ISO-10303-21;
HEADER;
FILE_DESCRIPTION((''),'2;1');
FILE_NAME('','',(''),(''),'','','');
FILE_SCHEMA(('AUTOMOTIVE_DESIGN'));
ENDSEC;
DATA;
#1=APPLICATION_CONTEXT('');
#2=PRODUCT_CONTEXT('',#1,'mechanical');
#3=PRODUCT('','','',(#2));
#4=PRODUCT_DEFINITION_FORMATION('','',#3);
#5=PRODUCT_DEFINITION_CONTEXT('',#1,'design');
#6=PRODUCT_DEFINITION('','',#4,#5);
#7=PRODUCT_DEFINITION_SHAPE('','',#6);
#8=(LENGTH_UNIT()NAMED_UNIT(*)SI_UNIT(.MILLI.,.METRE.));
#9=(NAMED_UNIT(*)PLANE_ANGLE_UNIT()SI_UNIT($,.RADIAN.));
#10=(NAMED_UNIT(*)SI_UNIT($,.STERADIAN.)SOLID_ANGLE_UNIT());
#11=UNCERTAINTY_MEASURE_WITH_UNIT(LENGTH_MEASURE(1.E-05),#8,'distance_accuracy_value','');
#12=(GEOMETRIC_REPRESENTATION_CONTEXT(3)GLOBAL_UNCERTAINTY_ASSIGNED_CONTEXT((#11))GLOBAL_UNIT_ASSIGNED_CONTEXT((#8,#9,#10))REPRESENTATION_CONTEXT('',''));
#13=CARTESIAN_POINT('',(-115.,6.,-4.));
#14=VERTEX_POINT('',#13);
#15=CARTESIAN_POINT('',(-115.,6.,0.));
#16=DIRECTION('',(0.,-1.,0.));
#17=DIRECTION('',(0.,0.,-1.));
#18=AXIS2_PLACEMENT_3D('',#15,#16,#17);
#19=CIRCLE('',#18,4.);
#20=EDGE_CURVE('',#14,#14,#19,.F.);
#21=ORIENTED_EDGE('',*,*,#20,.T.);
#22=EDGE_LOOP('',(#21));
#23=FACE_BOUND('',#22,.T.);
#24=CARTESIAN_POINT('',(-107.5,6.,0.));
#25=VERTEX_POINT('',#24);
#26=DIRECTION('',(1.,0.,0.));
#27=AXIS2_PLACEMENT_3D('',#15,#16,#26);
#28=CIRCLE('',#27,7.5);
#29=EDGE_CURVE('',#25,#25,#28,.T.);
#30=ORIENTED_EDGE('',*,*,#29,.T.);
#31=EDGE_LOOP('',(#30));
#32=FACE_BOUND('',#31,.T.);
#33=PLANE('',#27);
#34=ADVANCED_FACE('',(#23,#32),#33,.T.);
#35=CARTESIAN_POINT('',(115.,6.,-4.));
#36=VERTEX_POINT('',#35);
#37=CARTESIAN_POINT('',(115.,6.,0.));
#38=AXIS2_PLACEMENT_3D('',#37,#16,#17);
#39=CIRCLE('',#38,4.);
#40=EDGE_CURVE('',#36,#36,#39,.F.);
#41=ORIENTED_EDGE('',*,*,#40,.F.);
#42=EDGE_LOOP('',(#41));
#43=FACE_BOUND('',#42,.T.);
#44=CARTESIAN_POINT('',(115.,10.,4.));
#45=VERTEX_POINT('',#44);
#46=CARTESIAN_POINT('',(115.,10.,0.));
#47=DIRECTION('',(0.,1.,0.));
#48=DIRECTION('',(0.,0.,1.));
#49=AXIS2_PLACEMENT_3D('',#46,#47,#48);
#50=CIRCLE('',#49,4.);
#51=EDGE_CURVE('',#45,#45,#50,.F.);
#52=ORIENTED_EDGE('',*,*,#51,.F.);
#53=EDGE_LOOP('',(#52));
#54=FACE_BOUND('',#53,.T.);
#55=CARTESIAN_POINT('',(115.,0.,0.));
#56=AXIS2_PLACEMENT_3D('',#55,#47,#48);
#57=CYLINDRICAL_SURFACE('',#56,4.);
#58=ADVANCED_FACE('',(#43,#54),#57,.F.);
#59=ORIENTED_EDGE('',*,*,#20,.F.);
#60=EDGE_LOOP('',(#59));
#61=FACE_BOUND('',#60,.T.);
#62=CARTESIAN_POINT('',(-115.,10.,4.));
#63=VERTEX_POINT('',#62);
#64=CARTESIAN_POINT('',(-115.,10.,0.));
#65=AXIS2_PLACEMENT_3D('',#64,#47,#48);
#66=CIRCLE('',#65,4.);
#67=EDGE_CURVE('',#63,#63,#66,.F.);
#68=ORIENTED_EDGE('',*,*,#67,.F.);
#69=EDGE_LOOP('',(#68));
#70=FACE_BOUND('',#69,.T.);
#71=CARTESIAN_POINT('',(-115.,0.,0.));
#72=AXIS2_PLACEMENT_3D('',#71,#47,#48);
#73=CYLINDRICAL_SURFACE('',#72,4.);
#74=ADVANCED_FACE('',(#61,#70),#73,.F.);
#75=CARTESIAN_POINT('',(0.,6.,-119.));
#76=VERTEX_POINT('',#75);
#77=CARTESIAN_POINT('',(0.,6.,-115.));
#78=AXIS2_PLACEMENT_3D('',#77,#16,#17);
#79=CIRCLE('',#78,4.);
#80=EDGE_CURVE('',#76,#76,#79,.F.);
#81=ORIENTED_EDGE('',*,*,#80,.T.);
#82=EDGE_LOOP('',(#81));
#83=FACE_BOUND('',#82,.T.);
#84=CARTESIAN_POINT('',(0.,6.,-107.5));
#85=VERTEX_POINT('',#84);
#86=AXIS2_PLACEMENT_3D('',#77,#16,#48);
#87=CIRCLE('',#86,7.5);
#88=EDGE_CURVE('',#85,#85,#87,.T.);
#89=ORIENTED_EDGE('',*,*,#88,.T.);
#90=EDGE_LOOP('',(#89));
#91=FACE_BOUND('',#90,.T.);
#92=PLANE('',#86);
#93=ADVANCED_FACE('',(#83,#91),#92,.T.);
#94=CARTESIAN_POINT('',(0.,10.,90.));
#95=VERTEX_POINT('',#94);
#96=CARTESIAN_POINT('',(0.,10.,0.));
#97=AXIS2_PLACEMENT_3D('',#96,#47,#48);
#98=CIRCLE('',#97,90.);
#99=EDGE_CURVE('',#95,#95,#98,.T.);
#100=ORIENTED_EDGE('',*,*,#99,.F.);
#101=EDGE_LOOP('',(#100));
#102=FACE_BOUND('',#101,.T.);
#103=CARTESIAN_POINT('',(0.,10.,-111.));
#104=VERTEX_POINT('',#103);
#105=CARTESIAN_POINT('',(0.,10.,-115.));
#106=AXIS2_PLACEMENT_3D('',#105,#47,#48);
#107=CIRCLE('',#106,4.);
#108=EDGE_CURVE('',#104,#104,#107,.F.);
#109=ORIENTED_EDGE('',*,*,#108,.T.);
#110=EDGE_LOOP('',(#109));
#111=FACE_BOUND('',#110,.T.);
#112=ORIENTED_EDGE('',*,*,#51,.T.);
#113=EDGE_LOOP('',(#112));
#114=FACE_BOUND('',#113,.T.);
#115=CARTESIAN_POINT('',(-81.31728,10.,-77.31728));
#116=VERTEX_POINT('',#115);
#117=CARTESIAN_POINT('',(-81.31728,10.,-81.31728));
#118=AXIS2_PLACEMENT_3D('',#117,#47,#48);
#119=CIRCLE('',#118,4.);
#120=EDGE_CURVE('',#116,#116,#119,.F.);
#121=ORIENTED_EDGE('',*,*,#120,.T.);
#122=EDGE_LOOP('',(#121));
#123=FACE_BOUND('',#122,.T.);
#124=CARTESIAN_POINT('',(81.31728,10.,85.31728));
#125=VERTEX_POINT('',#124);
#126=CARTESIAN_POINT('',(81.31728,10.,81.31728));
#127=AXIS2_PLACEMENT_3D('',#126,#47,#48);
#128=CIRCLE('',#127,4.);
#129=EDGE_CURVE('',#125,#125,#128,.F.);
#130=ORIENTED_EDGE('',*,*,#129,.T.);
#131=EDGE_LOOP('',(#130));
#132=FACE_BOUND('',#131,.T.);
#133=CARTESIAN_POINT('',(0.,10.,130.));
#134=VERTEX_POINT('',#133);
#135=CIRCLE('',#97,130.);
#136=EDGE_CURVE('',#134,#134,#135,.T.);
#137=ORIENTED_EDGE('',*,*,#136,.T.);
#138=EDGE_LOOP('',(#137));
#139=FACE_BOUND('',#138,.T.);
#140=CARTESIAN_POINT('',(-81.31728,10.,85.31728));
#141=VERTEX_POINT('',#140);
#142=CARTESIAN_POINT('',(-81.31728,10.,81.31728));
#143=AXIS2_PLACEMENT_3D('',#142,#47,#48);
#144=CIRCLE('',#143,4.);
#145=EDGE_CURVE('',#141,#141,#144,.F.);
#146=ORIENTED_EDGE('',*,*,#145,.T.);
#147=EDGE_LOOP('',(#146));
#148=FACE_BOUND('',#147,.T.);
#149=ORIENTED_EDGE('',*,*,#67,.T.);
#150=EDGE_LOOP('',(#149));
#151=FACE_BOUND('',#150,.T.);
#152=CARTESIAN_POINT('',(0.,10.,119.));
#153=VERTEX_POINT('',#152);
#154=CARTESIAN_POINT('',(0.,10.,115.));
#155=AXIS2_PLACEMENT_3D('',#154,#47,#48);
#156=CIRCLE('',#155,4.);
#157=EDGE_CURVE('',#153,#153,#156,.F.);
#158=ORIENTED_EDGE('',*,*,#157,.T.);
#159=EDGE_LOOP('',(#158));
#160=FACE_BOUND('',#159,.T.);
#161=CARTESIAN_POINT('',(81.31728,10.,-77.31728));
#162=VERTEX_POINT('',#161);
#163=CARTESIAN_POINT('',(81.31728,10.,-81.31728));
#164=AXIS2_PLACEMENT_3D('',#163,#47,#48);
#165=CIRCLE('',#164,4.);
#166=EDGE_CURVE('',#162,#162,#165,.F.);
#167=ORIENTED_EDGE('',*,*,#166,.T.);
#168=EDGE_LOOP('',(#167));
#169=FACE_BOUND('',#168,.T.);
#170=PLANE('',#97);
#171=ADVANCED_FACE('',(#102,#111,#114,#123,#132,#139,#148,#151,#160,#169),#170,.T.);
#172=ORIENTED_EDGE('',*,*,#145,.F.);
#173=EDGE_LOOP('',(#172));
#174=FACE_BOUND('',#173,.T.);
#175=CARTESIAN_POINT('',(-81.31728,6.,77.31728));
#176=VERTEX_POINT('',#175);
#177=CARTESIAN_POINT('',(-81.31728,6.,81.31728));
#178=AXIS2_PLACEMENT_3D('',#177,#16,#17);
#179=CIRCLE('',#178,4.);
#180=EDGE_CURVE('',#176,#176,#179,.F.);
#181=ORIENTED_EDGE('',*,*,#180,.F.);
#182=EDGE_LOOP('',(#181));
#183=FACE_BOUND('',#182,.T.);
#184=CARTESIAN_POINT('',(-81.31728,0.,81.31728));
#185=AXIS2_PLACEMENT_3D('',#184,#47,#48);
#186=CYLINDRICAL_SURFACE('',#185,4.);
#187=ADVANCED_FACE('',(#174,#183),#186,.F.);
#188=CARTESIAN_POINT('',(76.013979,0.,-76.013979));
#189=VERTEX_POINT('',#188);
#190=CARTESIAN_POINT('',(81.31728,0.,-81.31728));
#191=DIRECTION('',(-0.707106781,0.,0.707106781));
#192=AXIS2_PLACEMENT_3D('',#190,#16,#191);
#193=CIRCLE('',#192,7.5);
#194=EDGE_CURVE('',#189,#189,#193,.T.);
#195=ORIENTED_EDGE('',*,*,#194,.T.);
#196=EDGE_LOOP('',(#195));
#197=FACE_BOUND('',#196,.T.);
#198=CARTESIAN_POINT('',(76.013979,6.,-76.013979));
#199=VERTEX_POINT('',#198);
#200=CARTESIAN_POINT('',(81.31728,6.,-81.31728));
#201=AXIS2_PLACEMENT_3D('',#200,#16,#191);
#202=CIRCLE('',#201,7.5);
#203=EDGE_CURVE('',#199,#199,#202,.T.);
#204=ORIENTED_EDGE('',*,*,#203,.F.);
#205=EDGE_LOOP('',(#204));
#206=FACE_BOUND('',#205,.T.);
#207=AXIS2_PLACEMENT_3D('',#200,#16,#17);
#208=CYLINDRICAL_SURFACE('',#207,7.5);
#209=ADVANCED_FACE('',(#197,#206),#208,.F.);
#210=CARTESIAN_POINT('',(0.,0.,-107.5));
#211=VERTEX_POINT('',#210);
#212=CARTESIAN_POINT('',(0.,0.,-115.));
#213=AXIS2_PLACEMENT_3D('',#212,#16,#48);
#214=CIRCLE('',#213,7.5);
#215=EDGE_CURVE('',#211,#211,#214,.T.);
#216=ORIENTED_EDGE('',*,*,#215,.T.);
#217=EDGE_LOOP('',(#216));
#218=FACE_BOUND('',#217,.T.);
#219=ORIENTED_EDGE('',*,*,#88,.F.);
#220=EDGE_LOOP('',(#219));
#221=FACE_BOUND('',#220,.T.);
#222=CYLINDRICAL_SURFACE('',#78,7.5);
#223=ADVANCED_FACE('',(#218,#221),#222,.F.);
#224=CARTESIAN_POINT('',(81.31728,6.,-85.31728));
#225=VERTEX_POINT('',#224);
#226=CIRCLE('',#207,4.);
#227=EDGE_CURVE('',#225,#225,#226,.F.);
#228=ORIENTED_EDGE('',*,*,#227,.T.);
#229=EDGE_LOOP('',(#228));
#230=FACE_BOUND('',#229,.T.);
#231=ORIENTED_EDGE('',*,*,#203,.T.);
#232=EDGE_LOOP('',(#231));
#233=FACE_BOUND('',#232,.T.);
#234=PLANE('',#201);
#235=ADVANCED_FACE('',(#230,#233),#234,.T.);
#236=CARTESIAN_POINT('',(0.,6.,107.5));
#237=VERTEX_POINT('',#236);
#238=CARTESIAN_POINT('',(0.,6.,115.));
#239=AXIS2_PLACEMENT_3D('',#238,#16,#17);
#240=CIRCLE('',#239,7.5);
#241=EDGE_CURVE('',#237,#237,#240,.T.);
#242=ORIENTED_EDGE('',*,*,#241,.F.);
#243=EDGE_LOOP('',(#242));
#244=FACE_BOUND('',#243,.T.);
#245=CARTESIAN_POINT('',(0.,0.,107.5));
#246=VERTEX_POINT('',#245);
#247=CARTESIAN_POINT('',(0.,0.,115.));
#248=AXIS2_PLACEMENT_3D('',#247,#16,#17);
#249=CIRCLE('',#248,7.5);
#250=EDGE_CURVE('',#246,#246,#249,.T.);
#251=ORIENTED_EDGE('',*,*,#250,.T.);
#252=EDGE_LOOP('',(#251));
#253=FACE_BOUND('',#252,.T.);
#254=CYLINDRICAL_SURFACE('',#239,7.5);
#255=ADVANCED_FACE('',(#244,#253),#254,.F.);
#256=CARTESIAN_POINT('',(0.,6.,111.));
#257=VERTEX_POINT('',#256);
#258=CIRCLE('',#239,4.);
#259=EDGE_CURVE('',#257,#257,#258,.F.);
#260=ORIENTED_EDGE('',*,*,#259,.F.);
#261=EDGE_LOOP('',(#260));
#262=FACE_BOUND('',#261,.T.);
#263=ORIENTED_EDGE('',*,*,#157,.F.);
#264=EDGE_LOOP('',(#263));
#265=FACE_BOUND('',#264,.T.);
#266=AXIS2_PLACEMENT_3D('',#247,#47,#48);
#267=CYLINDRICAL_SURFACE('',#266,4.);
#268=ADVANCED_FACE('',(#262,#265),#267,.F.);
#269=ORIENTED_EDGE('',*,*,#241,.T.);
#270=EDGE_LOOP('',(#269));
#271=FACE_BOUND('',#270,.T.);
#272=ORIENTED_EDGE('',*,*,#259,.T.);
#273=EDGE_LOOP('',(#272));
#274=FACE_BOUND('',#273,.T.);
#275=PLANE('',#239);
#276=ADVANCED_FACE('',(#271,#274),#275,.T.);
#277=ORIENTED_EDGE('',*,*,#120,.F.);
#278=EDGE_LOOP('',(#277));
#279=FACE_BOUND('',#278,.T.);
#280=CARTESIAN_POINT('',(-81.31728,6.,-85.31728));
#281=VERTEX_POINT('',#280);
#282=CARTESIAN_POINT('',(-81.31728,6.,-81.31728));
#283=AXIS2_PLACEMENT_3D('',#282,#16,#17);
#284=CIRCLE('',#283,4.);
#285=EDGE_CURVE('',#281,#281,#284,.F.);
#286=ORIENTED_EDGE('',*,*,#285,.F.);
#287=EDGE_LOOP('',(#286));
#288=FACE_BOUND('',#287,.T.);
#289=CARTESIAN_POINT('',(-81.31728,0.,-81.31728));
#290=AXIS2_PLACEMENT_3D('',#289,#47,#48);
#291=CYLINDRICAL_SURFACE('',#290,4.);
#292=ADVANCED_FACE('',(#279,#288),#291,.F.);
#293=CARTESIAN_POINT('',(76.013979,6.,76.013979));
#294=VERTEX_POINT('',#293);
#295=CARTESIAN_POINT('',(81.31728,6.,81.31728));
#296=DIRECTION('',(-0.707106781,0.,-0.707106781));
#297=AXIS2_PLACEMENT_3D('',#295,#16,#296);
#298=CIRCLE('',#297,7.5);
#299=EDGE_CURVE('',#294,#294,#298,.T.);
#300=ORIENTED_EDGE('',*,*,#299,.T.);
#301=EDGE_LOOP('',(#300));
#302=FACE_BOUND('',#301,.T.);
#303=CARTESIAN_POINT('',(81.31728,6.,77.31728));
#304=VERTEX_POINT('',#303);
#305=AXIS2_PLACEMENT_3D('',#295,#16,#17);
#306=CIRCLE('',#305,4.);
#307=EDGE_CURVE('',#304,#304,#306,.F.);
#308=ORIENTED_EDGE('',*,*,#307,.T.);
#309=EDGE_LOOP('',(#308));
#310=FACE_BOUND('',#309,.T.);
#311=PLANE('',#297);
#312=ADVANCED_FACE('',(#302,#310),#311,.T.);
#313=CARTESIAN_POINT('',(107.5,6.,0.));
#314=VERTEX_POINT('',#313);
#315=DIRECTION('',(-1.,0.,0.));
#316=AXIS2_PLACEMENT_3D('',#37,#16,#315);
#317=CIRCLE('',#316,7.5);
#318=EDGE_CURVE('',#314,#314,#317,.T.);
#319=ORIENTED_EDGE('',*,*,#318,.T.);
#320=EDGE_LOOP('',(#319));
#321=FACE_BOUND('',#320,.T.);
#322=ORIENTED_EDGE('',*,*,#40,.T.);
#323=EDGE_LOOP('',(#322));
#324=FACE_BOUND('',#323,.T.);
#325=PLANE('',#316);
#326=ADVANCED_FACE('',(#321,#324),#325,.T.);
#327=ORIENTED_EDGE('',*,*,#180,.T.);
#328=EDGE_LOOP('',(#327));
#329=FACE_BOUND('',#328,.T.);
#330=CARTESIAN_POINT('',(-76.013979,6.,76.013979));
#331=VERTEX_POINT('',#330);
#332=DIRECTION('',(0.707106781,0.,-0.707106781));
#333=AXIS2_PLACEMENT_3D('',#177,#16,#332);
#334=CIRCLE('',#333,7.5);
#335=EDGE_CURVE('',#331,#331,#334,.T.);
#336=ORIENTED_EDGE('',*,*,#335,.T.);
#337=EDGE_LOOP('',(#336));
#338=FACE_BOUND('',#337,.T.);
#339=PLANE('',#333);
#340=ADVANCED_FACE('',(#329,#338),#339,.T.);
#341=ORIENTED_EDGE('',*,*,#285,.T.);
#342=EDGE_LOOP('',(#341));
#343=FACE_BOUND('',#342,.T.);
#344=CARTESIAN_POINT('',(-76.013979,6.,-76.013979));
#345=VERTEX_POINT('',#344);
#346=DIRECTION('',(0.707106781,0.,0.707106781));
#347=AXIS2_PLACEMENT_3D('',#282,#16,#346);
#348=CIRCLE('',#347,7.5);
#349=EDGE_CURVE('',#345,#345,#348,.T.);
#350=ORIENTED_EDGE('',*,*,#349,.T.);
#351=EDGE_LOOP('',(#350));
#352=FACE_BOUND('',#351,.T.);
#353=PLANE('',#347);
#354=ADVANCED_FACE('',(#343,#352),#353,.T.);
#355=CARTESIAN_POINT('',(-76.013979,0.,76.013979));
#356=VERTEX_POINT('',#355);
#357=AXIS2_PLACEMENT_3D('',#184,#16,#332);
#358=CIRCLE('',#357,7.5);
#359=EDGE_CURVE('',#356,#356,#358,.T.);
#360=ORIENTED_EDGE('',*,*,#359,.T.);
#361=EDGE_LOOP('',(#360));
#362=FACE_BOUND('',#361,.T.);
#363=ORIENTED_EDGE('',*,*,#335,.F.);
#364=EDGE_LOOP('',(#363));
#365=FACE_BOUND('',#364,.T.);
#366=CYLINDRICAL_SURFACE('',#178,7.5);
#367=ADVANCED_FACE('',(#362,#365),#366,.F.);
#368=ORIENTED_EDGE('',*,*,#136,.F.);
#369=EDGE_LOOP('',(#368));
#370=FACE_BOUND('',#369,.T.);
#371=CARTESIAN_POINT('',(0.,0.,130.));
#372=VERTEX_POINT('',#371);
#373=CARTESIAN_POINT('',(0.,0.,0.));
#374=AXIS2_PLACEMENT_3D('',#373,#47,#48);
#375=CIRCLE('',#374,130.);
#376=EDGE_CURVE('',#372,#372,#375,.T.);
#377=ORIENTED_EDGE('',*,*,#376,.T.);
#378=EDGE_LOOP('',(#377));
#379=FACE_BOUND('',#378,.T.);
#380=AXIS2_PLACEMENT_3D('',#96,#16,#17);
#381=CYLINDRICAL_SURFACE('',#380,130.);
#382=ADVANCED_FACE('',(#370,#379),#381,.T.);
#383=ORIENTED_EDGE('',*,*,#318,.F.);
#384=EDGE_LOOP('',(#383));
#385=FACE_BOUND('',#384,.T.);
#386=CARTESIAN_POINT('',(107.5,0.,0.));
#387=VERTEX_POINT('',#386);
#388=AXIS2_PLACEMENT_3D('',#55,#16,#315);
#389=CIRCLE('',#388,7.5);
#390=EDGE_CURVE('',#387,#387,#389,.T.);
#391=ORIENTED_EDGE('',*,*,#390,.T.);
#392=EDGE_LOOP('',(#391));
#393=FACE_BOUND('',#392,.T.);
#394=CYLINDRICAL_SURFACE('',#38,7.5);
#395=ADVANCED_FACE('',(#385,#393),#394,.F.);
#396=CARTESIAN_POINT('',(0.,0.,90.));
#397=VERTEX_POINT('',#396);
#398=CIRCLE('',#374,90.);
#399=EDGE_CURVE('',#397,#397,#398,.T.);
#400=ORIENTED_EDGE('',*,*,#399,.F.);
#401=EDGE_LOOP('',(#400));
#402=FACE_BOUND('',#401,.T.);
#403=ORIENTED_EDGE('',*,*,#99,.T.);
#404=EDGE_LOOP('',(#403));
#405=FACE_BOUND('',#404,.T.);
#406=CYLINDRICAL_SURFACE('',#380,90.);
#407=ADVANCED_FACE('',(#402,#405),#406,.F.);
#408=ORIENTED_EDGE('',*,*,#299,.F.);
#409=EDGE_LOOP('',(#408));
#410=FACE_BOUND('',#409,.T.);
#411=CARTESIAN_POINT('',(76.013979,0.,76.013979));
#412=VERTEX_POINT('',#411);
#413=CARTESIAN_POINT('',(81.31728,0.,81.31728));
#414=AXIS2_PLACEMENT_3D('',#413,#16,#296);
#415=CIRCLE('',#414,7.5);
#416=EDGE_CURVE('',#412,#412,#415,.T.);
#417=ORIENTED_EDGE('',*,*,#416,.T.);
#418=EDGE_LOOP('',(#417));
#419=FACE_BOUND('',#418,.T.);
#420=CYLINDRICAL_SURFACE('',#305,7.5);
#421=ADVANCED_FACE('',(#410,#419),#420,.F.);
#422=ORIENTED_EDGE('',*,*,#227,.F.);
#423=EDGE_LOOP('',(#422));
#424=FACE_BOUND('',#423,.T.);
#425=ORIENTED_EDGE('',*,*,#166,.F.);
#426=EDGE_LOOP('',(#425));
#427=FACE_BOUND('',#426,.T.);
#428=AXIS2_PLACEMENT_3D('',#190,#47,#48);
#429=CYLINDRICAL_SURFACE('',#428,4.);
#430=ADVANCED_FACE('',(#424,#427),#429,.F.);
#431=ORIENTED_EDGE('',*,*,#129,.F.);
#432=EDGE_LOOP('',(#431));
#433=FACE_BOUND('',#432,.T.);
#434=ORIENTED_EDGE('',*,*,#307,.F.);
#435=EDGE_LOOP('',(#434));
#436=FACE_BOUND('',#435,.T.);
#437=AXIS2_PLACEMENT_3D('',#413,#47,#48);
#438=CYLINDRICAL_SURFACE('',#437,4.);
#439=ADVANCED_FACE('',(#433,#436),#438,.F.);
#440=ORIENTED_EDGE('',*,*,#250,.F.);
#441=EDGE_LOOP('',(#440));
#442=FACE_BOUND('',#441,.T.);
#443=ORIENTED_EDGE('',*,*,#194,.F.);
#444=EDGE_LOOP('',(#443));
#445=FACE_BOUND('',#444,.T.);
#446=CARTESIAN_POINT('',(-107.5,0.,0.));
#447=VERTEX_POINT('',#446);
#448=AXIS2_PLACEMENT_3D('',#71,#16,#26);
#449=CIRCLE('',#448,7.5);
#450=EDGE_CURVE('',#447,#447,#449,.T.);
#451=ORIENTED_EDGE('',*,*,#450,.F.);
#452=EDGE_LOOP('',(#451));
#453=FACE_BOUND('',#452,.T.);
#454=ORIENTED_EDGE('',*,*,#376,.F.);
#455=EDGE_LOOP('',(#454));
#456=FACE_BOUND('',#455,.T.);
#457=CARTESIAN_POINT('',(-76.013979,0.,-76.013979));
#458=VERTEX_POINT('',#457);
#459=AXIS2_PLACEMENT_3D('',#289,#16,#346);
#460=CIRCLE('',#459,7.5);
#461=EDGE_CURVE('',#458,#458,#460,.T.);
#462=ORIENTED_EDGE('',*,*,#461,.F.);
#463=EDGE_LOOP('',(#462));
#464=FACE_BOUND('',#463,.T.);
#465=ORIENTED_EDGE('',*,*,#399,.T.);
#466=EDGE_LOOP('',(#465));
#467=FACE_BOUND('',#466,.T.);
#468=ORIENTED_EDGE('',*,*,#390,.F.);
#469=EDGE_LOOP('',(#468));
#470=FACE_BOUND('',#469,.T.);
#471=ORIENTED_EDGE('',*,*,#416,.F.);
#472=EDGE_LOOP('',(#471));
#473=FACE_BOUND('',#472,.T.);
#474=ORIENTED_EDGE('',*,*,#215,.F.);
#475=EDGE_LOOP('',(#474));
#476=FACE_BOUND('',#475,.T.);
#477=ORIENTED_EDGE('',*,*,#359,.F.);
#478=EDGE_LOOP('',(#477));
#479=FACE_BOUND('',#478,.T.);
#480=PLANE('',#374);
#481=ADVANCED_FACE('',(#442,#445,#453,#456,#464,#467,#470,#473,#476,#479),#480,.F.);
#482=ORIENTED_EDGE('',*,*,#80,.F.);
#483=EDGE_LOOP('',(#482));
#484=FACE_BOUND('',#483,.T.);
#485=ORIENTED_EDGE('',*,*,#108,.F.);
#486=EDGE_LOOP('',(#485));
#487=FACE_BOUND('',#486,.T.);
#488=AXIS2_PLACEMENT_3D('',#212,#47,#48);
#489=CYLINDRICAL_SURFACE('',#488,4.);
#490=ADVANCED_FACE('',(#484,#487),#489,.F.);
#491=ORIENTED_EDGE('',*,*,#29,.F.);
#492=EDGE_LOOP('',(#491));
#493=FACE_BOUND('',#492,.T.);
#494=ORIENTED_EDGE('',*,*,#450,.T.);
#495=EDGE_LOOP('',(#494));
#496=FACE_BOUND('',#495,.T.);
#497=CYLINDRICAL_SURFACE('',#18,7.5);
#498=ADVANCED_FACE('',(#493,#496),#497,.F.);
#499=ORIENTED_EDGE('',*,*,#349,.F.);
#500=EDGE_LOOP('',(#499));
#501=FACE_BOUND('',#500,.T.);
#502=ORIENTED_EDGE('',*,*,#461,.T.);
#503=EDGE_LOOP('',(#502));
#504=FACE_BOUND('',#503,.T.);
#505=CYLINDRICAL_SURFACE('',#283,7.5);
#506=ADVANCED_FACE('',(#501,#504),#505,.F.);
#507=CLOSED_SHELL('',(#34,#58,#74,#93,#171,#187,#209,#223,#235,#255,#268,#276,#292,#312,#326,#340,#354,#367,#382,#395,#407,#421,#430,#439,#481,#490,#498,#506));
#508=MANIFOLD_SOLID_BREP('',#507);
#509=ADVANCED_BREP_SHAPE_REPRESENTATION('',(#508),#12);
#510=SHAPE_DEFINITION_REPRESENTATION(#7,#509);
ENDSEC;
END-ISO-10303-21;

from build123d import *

# Parameters (mm, degrees)
SKETCH1_R                      = 130
SKETCH1_R_2                    = 90
BOSS_EXTRUDE1_DEPTH            = 10
SKETCH2_R                      = 7.5
CUT_EXTRUDE1_DEPTH             = 6
CUT_EXTRUDE2_REACH             = 185.946
SKETCH3_R                      = 4
CUT_EXTRUDE2_DIRECTION_2_DEPTH = 184.945644145
CIRPATTERN1_COUNT              = 8


with BuildPart() as part:
    # Sketch1 → Boss-Extrude1 (new body)
    with BuildSketch(Plane(origin=(0, 0, 0), x_dir=(1, 0, 0), z_dir=(0, 1, 0))):
        with Locations(Location((0, 0, 0), (0, 0, 270))):
            Circle(SKETCH1_R)
        with Locations(Location((0, 0, 0), (0, 0, 270))):
            Circle(SKETCH1_R_2, mode=Mode.SUBTRACT)
    extrude(amount=BOSS_EXTRUDE1_DEPTH)

    # Sketch2 → Cut-Extrude1 (cut)
    with BuildSketch(Plane.XZ):
        with Locations(Location((0, 115, 0), (0, 0, 270))):
            Circle(SKETCH2_R)
    cut_extrude1 = extrude(amount=-CUT_EXTRUDE1_DEPTH, mode=Mode.SUBTRACT)

    # Sketch3 → Cut-Extrude2 (cut, up to next)
    with BuildSketch(Plane.XZ.offset(-6), mode=Mode.PRIVATE) as cut_extrude2_sk1:
        with Locations(Location((0, 115, 0), (0, 0, 90))):
            Circle(SKETCH3_R)
    cut_extrude2_tool1 = extrude(cut_extrude2_sk1.sketch, amount=-CUT_EXTRUDE2_REACH, mode=Mode.PRIVATE) & part.part
    cut_extrude2 = cut_extrude2_tool1.solids().sort_by_distance((0, 6, 115))[0]
    add(cut_extrude2, mode=Mode.SUBTRACT)

    # Sketch3 → Cut-Extrude2 direction 2 (cut)
    with BuildSketch(Plane.XZ.offset(-6)):
        with Locations(Location((0, 115, 0), (0, 0, 90))):
            Circle(SKETCH3_R)
    cut_extrude2_direction_2 = extrude(amount=CUT_EXTRUDE2_DIRECTION_2_DEPTH, mode=Mode.SUBTRACT)

    # CirPattern1: Cut-Extrude1, Cut-Extrude2, Cut-Extrude2 direction 2 ×8 about axis
    cirpattern1_axis = Axis((0, 0, 0), (0, 1, 0))
    add([cut_extrude1.rotate(cirpattern1_axis, i * 360 / CIRPATTERN1_COUNT) for i in range(1, CIRPATTERN1_COUNT)], mode=Mode.SUBTRACT)
    add([cut_extrude2.rotate(cirpattern1_axis, i * 360 / CIRPATTERN1_COUNT) for i in range(1, CIRPATTERN1_COUNT)], mode=Mode.SUBTRACT)
    add([cut_extrude2_direction_2.rotate(cirpattern1_axis, i * 360 / CIRPATTERN1_COUNT) for i in range(1, CIRPATTERN1_COUNT)], mode=Mode.SUBTRACT)


solid = part.part
